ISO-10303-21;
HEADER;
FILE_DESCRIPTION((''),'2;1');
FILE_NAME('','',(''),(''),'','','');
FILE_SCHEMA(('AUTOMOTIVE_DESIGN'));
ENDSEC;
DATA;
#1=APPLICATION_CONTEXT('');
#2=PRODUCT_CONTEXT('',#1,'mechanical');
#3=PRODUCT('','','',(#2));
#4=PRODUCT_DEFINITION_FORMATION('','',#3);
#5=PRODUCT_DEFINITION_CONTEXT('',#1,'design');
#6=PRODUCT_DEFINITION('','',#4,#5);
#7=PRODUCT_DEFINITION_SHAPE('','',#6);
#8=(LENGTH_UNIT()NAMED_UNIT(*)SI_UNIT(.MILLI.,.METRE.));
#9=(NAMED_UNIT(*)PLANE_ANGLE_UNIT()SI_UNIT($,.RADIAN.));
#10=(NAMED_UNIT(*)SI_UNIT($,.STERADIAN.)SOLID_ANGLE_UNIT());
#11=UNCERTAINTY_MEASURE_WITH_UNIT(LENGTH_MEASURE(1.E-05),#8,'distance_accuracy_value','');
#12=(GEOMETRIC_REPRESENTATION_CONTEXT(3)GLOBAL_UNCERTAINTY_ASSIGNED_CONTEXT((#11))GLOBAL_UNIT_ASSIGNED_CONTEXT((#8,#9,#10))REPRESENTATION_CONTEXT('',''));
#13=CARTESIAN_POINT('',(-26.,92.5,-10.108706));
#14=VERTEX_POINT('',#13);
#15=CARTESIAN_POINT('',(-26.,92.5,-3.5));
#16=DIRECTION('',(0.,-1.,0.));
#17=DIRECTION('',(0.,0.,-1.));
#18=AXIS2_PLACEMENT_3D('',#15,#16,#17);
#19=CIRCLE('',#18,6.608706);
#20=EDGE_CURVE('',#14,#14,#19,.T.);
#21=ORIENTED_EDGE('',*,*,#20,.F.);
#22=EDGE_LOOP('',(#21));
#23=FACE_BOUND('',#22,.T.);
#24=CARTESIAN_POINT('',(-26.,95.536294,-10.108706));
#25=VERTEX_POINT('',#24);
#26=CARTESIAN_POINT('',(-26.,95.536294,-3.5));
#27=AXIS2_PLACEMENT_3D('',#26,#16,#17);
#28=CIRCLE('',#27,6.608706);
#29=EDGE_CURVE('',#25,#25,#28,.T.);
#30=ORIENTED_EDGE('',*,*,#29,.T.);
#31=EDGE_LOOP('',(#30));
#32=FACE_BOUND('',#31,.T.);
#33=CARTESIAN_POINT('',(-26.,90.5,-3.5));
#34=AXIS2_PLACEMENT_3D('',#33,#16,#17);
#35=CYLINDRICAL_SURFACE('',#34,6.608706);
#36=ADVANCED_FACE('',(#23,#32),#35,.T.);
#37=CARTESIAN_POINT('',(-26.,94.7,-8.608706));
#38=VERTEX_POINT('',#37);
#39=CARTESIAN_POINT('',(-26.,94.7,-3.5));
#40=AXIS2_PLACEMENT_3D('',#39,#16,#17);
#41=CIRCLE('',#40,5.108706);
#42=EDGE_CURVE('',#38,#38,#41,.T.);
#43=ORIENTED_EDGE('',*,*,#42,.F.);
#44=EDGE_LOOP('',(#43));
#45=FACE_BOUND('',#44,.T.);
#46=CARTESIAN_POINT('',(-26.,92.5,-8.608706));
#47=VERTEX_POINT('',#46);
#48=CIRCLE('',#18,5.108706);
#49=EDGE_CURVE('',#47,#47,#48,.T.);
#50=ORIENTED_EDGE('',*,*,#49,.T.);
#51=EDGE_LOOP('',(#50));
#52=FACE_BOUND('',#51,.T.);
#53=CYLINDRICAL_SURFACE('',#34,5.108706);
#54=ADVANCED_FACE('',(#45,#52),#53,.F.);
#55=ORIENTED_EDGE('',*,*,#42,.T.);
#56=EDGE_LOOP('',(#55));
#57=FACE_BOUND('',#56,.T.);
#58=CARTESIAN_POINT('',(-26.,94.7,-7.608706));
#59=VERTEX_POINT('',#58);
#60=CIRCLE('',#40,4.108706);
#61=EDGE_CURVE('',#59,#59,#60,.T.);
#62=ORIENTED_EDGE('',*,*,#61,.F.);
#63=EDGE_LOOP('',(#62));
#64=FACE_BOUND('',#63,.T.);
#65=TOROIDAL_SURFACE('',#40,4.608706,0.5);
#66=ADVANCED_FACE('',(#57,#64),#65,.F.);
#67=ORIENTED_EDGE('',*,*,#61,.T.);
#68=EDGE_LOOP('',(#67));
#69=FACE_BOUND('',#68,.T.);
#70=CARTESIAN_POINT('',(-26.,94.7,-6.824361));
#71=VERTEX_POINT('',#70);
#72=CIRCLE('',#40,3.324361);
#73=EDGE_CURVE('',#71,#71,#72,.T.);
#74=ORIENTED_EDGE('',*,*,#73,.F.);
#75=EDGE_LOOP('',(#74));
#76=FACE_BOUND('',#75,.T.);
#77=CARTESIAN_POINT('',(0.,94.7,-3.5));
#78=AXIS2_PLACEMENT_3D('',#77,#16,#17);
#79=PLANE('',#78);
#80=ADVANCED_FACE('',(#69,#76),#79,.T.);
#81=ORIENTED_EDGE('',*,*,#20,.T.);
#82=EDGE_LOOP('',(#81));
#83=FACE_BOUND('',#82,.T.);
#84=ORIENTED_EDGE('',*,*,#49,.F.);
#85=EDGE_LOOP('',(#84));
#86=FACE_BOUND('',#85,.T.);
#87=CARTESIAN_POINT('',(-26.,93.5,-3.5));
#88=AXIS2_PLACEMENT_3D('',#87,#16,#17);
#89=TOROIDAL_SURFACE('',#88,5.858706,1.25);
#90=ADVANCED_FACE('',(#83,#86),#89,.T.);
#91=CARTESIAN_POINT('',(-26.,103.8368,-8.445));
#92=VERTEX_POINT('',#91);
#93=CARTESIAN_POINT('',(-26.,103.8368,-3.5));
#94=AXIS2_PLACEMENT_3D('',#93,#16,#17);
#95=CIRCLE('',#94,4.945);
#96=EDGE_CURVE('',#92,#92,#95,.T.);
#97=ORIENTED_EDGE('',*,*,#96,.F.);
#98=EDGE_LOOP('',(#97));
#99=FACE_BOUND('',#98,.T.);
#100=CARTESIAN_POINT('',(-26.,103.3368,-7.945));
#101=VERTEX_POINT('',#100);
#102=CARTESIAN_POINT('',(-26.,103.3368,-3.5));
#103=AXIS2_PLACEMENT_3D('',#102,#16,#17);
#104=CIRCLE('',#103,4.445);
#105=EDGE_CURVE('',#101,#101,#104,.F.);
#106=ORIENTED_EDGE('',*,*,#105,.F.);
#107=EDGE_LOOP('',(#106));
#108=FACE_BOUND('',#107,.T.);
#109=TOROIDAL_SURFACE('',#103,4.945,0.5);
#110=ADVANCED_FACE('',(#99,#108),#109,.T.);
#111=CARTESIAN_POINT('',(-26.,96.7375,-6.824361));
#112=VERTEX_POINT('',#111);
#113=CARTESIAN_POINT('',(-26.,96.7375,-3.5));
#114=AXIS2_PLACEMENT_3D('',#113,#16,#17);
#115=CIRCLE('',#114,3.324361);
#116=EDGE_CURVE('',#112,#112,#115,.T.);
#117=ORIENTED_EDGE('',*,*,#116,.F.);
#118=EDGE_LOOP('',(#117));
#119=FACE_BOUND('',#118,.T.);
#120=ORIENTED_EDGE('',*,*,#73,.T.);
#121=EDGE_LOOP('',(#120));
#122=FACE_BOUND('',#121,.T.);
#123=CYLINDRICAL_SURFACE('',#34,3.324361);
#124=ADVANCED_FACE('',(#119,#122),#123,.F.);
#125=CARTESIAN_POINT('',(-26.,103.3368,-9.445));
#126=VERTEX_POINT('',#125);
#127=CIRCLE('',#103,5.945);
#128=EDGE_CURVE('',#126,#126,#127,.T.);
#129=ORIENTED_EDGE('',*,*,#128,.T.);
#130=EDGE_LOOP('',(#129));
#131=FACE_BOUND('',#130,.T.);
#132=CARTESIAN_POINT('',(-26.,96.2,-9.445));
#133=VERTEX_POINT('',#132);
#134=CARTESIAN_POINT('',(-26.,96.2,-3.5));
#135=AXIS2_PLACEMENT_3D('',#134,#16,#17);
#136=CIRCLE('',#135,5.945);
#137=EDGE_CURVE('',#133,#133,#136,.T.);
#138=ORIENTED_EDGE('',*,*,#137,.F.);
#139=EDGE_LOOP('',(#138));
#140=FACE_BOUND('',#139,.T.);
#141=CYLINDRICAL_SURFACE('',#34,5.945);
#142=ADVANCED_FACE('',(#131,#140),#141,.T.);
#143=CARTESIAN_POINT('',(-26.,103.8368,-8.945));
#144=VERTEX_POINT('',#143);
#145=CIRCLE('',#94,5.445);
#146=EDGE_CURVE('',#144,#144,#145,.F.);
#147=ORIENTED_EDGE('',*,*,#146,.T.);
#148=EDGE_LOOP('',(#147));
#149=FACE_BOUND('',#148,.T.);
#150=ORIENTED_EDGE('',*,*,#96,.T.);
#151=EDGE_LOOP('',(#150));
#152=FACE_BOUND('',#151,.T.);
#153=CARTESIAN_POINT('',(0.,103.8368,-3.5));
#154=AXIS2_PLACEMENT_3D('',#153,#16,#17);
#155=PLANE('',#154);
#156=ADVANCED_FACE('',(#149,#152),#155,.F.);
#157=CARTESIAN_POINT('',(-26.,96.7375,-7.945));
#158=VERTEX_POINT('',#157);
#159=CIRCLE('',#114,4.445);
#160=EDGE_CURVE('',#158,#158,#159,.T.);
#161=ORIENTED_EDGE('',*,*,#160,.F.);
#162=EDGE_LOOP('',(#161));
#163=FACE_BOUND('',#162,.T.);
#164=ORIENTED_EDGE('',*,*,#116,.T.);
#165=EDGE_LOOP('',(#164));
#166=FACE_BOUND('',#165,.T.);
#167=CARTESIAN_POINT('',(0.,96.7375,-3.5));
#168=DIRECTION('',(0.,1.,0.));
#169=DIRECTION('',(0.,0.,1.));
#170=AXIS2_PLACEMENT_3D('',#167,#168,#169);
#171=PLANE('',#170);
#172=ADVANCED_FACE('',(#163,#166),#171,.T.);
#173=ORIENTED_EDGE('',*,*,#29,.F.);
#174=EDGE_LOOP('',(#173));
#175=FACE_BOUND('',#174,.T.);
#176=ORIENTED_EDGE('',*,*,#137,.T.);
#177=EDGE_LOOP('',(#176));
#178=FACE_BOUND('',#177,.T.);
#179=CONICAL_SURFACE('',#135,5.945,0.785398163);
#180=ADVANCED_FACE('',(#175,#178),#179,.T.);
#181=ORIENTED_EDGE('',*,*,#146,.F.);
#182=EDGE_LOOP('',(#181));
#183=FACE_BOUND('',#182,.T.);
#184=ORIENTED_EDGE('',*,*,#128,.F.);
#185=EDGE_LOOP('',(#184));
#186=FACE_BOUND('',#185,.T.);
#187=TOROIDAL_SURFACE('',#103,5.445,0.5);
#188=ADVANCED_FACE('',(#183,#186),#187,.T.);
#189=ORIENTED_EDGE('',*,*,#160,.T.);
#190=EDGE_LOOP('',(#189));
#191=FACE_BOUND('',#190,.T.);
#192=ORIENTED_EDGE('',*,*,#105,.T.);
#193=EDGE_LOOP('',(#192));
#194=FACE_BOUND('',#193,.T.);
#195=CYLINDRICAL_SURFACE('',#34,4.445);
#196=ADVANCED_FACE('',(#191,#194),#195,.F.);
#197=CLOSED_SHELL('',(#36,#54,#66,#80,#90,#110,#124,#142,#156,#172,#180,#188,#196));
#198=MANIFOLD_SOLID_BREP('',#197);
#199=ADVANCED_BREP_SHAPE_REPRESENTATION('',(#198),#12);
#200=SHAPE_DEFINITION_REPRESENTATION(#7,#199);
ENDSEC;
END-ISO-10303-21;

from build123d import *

# Parameters (mm, degrees)
FILLET1_R = 0.5


with BuildPart() as part:
    # Sketch2 → Revolve1 (revolve)
    with BuildSketch(Plane.XY.offset(-3.5)):
        with BuildLine():
            ThreePointArc((-21.891294302, 94.7), (-21.391294302, 95.2), (-20.891294302, 94.7))
            Line((-20.891294302, 94.7), (-20.891294302, 92.5))
            ThreePointArc((-20.891294302, 92.5), (-20.141294302, 92.25), (-19.391294302, 92.5))
            Line((-19.391294302, 92.5), (-19.391294302, 95.536294302))
            Line((-19.391294302, 95.536294302), (-20.055, 96.2))
            Line((-20.055, 96.2), (-20.055, 103.8368))
            Line((-20.055, 103.8368), (-21.555, 103.8368))
            Line((-21.555, 103.8368), (-21.555, 96.7375))
            Line((-21.555, 96.7375), (-22.675639033, 96.7375))
            Line((-22.675639033, 96.7375), (-22.675639033, 94.7))
            Line((-22.675639033, 94.7), (-21.891294302, 94.7))
        make_face()
    revolve(axis=Axis((-26, 90.5, -3.5), (0, 1, 0)))

    # Fillet1
    fillet1_edges = [part.edges().sort_by_distance(p)[0] for p in [
        (-30.445, 103.8368, -3.5),
        (-31.945, 103.8368, -3.5),
    ]]
    fillet(fillet1_edges, radius=FILLET1_R)


solid = part.part
